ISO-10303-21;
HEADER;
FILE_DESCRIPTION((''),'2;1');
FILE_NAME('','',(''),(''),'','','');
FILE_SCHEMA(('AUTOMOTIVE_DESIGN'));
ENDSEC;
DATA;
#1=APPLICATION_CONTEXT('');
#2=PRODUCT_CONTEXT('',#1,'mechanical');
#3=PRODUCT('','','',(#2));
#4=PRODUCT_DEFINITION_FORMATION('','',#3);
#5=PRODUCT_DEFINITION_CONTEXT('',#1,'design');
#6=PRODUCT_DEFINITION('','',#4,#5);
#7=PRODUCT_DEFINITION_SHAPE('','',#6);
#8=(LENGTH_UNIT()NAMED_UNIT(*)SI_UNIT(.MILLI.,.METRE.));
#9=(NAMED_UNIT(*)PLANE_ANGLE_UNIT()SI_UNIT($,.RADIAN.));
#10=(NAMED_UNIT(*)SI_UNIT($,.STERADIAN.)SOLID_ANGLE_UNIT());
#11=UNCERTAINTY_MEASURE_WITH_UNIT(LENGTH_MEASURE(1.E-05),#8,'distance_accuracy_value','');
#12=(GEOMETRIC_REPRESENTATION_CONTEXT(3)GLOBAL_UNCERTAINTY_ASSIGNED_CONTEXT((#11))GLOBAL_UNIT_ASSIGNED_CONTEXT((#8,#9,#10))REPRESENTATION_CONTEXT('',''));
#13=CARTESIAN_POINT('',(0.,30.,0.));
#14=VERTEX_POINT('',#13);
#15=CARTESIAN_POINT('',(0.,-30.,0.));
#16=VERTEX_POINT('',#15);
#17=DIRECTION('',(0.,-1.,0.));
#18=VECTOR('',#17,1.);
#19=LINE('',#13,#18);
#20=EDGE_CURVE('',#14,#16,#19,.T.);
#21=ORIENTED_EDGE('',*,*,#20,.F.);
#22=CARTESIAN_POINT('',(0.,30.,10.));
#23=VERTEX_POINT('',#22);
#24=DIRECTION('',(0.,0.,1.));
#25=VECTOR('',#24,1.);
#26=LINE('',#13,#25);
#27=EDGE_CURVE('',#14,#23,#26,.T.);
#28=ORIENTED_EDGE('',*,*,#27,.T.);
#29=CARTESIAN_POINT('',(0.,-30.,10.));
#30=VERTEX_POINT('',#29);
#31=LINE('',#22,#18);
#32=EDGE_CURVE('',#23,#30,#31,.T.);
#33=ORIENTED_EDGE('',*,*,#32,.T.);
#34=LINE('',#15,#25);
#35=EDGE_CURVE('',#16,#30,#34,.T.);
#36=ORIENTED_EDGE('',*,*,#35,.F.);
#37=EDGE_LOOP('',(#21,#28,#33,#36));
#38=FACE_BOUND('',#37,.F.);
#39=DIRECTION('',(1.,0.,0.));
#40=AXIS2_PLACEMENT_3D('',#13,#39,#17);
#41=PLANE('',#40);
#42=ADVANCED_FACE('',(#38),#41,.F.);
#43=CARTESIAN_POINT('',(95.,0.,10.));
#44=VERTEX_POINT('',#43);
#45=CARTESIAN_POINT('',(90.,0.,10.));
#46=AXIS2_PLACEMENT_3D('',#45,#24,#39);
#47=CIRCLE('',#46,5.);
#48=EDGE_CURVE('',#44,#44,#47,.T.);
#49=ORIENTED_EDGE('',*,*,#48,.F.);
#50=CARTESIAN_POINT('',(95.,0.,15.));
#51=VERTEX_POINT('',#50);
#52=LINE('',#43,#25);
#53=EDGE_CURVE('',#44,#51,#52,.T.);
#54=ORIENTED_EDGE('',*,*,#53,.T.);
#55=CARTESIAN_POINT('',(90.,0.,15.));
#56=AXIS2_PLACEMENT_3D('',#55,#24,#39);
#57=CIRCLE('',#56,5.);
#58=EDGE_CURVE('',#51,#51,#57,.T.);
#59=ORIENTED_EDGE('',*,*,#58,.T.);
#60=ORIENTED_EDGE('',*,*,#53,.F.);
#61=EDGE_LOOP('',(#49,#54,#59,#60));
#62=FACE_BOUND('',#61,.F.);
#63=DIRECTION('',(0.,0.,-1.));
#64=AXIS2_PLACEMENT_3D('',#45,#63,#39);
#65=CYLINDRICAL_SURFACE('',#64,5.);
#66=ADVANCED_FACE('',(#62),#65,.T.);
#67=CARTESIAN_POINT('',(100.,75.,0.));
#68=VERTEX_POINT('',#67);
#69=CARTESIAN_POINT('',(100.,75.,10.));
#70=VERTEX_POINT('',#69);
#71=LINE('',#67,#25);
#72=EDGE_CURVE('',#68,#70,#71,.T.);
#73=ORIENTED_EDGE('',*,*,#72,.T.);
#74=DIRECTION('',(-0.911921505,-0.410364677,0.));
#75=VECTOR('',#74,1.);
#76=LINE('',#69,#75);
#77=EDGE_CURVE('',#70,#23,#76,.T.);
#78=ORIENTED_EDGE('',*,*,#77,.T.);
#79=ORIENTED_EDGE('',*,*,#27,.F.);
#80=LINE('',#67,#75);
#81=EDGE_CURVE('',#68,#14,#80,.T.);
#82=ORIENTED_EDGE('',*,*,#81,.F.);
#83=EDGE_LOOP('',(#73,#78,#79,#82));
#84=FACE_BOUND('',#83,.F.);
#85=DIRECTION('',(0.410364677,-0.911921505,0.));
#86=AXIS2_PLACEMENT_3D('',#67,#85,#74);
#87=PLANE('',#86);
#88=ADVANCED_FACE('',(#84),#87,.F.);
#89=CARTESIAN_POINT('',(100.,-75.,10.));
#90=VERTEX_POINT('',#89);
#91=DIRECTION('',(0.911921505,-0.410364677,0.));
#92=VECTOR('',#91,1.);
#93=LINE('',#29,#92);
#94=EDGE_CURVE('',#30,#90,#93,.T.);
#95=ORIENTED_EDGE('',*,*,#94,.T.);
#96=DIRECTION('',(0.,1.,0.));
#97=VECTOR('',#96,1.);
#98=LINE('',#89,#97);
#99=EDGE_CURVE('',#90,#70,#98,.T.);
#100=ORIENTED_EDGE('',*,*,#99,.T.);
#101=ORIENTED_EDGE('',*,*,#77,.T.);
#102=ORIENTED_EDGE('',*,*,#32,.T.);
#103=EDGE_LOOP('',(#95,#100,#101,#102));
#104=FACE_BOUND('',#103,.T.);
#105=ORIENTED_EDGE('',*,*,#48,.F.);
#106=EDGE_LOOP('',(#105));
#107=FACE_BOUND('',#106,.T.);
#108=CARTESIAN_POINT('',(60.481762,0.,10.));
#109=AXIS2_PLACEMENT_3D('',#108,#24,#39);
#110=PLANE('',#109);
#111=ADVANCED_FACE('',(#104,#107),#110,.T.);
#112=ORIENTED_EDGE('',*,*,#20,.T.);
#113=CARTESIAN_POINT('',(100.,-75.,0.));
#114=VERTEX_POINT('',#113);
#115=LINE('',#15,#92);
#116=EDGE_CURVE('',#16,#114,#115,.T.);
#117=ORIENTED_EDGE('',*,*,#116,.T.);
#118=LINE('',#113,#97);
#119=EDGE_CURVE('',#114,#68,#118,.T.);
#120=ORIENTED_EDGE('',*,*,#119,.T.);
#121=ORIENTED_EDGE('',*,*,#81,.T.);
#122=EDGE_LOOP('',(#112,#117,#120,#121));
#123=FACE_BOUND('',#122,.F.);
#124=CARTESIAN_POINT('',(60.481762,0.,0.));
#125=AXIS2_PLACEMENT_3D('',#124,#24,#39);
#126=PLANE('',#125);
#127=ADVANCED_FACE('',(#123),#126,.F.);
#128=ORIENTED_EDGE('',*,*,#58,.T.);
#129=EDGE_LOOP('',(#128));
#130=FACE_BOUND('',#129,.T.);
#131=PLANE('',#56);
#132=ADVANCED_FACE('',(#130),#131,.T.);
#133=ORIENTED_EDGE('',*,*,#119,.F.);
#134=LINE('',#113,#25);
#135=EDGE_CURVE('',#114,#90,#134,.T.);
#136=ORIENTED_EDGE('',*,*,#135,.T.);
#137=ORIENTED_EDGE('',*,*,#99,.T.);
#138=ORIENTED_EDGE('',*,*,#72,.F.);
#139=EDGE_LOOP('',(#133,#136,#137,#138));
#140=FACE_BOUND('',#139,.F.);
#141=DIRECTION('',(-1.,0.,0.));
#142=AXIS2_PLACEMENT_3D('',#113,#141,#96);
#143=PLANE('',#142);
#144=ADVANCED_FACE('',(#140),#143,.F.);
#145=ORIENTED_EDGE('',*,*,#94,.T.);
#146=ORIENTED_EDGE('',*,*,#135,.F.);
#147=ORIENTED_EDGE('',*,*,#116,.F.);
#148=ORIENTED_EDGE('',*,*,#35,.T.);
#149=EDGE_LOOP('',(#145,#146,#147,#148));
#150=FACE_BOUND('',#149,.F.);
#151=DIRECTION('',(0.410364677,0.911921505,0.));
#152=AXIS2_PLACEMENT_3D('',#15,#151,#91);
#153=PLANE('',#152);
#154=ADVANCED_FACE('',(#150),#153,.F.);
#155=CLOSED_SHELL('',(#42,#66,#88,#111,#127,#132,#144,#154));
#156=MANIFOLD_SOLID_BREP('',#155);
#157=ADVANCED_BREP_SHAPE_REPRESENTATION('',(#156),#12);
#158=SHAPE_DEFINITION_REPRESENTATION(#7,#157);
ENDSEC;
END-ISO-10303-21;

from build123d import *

# Parameters (mm, degrees)
F1_DEPTH = 10
F2_R     = 5
F3_DEPTH = 5


with BuildPart() as f1:
    # F0 (on Top) → F1 (new body)
    with BuildSketch(Plane.XY):
        Polygon((0, 30), (0, -30), (100, -75), (100, 75), align=None)
    extrude(amount=F1_DEPTH)

    # F2 (on face) → F3 (join)
    with BuildSketch(Plane.XY.offset(10)):
        with Locations((90, 0)):
            Circle(F2_R)
    extrude(amount=F3_DEPTH)


solid = f1.part
